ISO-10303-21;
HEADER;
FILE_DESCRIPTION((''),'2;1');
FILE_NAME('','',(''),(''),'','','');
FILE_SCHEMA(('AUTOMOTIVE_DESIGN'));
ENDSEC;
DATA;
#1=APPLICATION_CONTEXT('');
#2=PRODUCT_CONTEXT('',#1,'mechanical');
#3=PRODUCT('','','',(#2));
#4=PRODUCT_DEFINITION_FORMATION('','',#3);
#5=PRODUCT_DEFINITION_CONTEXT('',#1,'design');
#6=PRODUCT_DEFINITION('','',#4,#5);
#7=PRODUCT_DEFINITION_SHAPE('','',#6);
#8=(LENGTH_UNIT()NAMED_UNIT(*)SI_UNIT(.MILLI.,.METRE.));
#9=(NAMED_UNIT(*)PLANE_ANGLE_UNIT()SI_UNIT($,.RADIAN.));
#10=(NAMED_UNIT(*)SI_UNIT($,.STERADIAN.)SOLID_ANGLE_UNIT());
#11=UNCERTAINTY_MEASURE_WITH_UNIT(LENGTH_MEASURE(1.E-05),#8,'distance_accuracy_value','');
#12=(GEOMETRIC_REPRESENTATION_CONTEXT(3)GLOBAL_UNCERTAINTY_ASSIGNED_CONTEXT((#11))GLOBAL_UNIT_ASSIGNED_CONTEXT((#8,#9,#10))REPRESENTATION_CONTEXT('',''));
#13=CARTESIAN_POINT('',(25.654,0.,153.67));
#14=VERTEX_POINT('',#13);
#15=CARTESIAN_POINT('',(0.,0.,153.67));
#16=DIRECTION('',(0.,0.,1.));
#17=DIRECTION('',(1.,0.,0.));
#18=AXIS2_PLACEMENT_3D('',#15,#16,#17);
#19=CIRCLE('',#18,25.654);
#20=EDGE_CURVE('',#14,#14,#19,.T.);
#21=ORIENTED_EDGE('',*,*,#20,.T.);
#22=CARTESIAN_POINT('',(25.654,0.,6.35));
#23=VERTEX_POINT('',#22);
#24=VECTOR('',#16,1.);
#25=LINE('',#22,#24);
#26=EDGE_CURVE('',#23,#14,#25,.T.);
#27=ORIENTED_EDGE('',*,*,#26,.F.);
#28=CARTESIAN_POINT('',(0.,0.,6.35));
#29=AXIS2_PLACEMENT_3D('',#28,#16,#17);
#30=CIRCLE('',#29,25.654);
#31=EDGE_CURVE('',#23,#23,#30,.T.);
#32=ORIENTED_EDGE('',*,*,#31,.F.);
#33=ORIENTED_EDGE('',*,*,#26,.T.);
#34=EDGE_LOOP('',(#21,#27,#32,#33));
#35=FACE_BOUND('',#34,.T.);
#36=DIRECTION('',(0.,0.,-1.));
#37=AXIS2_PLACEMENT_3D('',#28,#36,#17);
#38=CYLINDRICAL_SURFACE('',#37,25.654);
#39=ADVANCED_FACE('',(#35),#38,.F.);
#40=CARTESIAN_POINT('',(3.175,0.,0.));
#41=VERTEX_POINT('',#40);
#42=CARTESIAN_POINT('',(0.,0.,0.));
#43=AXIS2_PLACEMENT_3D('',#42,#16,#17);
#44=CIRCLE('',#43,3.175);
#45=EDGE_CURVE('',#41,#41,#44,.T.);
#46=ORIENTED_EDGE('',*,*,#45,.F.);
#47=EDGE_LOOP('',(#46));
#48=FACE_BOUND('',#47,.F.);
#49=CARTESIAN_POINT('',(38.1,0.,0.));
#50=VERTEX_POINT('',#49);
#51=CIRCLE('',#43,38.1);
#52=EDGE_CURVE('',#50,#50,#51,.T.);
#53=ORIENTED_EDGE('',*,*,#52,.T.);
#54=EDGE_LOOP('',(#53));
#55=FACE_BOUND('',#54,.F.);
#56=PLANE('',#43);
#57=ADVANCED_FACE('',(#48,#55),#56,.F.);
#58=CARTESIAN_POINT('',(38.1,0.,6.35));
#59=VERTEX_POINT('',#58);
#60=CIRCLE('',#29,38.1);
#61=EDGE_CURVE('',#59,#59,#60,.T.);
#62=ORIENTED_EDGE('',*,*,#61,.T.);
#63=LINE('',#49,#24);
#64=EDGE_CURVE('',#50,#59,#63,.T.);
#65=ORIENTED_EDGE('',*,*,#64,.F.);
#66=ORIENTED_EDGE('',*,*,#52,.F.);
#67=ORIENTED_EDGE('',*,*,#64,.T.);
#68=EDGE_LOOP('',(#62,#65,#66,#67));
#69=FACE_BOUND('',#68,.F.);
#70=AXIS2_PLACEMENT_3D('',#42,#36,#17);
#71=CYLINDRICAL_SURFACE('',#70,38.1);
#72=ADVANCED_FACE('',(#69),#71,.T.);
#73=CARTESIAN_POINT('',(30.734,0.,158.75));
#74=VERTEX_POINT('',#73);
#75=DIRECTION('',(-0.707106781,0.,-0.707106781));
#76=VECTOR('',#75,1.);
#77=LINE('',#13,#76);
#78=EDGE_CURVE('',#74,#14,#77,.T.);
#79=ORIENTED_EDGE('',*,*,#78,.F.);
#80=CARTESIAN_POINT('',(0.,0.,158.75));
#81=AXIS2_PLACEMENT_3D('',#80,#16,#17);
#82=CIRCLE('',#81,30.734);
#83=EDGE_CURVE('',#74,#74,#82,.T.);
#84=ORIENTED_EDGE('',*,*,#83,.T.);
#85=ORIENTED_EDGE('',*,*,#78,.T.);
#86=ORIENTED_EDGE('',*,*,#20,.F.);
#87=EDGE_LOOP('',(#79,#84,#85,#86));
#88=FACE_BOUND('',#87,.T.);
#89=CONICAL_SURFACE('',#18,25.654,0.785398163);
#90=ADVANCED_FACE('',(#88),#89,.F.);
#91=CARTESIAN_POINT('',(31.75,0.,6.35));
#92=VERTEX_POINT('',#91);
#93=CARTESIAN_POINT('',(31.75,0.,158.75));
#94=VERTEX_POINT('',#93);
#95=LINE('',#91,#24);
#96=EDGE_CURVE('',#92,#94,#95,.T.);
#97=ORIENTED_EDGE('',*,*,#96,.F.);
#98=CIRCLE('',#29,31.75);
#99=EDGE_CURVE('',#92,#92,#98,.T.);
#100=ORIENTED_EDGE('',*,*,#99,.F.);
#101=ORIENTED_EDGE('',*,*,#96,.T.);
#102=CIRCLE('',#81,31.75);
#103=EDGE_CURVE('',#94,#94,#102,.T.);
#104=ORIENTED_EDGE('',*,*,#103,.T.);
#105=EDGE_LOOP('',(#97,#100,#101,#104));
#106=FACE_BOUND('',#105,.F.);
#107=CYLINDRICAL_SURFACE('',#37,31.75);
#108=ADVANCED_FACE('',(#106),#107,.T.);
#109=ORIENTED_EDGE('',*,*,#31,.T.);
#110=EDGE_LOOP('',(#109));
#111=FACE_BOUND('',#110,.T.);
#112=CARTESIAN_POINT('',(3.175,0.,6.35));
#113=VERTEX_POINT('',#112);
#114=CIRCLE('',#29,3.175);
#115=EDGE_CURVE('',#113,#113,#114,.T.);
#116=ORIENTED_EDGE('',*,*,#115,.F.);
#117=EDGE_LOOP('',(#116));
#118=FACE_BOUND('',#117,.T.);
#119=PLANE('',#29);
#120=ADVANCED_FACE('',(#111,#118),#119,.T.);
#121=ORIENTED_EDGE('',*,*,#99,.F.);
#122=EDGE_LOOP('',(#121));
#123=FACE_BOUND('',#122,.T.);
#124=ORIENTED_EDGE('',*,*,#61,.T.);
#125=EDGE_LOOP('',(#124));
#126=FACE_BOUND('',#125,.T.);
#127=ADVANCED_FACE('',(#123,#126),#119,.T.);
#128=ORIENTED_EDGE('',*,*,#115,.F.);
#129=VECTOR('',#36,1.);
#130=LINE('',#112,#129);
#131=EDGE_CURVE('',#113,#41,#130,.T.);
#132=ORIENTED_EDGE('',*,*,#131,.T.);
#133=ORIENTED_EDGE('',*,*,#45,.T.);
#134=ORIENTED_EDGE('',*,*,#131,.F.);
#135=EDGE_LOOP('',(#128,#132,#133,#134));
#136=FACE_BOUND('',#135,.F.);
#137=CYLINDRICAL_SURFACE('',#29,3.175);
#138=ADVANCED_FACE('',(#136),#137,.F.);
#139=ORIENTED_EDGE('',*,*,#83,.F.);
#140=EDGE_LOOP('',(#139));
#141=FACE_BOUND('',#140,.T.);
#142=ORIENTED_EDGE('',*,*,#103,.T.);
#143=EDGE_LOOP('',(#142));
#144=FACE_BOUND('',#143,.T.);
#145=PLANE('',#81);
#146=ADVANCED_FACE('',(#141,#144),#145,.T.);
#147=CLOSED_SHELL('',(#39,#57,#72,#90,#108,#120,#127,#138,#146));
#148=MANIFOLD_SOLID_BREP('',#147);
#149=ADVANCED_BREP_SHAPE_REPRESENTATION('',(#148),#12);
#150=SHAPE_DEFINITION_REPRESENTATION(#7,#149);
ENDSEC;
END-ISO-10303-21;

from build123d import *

# Parameters (mm, degrees)
F0_R     = 38.1
F1_DEPTH = 6.35
F2_R     = 31.75
F2_R_2   = 25.654
F3_DEPTH = 152.4
F4_R     = 3.175
F5_DEPTH = 25.4
F6_SIZE  = 5.08


with BuildPart() as f1:
    # F0 (on Top) → F1 (new body)
    with BuildSketch(Plane.XY):
        Circle(F0_R)
    extrude(amount=F1_DEPTH)

    # F2 (on face) → F3 (join)
    with BuildSketch(Plane.XY.offset(6.35)):
        Circle(F2_R)
        Circle(F2_R_2, mode=Mode.SUBTRACT)
    extrude(amount=F3_DEPTH)

    # F4 (on face) → F5 (cut)
    with BuildSketch(Plane.XY.offset(6.35)):
        Circle(F4_R)
    extrude(amount=-F5_DEPTH, mode=Mode.SUBTRACT)

    # F6
    f6_edges = [f1.edges().sort_by_distance(p)[0] for p in [
        (-25.654, 0, 158.75),
    ]]
    chamfer(f6_edges, length=F6_SIZE)


solid = f1.part
